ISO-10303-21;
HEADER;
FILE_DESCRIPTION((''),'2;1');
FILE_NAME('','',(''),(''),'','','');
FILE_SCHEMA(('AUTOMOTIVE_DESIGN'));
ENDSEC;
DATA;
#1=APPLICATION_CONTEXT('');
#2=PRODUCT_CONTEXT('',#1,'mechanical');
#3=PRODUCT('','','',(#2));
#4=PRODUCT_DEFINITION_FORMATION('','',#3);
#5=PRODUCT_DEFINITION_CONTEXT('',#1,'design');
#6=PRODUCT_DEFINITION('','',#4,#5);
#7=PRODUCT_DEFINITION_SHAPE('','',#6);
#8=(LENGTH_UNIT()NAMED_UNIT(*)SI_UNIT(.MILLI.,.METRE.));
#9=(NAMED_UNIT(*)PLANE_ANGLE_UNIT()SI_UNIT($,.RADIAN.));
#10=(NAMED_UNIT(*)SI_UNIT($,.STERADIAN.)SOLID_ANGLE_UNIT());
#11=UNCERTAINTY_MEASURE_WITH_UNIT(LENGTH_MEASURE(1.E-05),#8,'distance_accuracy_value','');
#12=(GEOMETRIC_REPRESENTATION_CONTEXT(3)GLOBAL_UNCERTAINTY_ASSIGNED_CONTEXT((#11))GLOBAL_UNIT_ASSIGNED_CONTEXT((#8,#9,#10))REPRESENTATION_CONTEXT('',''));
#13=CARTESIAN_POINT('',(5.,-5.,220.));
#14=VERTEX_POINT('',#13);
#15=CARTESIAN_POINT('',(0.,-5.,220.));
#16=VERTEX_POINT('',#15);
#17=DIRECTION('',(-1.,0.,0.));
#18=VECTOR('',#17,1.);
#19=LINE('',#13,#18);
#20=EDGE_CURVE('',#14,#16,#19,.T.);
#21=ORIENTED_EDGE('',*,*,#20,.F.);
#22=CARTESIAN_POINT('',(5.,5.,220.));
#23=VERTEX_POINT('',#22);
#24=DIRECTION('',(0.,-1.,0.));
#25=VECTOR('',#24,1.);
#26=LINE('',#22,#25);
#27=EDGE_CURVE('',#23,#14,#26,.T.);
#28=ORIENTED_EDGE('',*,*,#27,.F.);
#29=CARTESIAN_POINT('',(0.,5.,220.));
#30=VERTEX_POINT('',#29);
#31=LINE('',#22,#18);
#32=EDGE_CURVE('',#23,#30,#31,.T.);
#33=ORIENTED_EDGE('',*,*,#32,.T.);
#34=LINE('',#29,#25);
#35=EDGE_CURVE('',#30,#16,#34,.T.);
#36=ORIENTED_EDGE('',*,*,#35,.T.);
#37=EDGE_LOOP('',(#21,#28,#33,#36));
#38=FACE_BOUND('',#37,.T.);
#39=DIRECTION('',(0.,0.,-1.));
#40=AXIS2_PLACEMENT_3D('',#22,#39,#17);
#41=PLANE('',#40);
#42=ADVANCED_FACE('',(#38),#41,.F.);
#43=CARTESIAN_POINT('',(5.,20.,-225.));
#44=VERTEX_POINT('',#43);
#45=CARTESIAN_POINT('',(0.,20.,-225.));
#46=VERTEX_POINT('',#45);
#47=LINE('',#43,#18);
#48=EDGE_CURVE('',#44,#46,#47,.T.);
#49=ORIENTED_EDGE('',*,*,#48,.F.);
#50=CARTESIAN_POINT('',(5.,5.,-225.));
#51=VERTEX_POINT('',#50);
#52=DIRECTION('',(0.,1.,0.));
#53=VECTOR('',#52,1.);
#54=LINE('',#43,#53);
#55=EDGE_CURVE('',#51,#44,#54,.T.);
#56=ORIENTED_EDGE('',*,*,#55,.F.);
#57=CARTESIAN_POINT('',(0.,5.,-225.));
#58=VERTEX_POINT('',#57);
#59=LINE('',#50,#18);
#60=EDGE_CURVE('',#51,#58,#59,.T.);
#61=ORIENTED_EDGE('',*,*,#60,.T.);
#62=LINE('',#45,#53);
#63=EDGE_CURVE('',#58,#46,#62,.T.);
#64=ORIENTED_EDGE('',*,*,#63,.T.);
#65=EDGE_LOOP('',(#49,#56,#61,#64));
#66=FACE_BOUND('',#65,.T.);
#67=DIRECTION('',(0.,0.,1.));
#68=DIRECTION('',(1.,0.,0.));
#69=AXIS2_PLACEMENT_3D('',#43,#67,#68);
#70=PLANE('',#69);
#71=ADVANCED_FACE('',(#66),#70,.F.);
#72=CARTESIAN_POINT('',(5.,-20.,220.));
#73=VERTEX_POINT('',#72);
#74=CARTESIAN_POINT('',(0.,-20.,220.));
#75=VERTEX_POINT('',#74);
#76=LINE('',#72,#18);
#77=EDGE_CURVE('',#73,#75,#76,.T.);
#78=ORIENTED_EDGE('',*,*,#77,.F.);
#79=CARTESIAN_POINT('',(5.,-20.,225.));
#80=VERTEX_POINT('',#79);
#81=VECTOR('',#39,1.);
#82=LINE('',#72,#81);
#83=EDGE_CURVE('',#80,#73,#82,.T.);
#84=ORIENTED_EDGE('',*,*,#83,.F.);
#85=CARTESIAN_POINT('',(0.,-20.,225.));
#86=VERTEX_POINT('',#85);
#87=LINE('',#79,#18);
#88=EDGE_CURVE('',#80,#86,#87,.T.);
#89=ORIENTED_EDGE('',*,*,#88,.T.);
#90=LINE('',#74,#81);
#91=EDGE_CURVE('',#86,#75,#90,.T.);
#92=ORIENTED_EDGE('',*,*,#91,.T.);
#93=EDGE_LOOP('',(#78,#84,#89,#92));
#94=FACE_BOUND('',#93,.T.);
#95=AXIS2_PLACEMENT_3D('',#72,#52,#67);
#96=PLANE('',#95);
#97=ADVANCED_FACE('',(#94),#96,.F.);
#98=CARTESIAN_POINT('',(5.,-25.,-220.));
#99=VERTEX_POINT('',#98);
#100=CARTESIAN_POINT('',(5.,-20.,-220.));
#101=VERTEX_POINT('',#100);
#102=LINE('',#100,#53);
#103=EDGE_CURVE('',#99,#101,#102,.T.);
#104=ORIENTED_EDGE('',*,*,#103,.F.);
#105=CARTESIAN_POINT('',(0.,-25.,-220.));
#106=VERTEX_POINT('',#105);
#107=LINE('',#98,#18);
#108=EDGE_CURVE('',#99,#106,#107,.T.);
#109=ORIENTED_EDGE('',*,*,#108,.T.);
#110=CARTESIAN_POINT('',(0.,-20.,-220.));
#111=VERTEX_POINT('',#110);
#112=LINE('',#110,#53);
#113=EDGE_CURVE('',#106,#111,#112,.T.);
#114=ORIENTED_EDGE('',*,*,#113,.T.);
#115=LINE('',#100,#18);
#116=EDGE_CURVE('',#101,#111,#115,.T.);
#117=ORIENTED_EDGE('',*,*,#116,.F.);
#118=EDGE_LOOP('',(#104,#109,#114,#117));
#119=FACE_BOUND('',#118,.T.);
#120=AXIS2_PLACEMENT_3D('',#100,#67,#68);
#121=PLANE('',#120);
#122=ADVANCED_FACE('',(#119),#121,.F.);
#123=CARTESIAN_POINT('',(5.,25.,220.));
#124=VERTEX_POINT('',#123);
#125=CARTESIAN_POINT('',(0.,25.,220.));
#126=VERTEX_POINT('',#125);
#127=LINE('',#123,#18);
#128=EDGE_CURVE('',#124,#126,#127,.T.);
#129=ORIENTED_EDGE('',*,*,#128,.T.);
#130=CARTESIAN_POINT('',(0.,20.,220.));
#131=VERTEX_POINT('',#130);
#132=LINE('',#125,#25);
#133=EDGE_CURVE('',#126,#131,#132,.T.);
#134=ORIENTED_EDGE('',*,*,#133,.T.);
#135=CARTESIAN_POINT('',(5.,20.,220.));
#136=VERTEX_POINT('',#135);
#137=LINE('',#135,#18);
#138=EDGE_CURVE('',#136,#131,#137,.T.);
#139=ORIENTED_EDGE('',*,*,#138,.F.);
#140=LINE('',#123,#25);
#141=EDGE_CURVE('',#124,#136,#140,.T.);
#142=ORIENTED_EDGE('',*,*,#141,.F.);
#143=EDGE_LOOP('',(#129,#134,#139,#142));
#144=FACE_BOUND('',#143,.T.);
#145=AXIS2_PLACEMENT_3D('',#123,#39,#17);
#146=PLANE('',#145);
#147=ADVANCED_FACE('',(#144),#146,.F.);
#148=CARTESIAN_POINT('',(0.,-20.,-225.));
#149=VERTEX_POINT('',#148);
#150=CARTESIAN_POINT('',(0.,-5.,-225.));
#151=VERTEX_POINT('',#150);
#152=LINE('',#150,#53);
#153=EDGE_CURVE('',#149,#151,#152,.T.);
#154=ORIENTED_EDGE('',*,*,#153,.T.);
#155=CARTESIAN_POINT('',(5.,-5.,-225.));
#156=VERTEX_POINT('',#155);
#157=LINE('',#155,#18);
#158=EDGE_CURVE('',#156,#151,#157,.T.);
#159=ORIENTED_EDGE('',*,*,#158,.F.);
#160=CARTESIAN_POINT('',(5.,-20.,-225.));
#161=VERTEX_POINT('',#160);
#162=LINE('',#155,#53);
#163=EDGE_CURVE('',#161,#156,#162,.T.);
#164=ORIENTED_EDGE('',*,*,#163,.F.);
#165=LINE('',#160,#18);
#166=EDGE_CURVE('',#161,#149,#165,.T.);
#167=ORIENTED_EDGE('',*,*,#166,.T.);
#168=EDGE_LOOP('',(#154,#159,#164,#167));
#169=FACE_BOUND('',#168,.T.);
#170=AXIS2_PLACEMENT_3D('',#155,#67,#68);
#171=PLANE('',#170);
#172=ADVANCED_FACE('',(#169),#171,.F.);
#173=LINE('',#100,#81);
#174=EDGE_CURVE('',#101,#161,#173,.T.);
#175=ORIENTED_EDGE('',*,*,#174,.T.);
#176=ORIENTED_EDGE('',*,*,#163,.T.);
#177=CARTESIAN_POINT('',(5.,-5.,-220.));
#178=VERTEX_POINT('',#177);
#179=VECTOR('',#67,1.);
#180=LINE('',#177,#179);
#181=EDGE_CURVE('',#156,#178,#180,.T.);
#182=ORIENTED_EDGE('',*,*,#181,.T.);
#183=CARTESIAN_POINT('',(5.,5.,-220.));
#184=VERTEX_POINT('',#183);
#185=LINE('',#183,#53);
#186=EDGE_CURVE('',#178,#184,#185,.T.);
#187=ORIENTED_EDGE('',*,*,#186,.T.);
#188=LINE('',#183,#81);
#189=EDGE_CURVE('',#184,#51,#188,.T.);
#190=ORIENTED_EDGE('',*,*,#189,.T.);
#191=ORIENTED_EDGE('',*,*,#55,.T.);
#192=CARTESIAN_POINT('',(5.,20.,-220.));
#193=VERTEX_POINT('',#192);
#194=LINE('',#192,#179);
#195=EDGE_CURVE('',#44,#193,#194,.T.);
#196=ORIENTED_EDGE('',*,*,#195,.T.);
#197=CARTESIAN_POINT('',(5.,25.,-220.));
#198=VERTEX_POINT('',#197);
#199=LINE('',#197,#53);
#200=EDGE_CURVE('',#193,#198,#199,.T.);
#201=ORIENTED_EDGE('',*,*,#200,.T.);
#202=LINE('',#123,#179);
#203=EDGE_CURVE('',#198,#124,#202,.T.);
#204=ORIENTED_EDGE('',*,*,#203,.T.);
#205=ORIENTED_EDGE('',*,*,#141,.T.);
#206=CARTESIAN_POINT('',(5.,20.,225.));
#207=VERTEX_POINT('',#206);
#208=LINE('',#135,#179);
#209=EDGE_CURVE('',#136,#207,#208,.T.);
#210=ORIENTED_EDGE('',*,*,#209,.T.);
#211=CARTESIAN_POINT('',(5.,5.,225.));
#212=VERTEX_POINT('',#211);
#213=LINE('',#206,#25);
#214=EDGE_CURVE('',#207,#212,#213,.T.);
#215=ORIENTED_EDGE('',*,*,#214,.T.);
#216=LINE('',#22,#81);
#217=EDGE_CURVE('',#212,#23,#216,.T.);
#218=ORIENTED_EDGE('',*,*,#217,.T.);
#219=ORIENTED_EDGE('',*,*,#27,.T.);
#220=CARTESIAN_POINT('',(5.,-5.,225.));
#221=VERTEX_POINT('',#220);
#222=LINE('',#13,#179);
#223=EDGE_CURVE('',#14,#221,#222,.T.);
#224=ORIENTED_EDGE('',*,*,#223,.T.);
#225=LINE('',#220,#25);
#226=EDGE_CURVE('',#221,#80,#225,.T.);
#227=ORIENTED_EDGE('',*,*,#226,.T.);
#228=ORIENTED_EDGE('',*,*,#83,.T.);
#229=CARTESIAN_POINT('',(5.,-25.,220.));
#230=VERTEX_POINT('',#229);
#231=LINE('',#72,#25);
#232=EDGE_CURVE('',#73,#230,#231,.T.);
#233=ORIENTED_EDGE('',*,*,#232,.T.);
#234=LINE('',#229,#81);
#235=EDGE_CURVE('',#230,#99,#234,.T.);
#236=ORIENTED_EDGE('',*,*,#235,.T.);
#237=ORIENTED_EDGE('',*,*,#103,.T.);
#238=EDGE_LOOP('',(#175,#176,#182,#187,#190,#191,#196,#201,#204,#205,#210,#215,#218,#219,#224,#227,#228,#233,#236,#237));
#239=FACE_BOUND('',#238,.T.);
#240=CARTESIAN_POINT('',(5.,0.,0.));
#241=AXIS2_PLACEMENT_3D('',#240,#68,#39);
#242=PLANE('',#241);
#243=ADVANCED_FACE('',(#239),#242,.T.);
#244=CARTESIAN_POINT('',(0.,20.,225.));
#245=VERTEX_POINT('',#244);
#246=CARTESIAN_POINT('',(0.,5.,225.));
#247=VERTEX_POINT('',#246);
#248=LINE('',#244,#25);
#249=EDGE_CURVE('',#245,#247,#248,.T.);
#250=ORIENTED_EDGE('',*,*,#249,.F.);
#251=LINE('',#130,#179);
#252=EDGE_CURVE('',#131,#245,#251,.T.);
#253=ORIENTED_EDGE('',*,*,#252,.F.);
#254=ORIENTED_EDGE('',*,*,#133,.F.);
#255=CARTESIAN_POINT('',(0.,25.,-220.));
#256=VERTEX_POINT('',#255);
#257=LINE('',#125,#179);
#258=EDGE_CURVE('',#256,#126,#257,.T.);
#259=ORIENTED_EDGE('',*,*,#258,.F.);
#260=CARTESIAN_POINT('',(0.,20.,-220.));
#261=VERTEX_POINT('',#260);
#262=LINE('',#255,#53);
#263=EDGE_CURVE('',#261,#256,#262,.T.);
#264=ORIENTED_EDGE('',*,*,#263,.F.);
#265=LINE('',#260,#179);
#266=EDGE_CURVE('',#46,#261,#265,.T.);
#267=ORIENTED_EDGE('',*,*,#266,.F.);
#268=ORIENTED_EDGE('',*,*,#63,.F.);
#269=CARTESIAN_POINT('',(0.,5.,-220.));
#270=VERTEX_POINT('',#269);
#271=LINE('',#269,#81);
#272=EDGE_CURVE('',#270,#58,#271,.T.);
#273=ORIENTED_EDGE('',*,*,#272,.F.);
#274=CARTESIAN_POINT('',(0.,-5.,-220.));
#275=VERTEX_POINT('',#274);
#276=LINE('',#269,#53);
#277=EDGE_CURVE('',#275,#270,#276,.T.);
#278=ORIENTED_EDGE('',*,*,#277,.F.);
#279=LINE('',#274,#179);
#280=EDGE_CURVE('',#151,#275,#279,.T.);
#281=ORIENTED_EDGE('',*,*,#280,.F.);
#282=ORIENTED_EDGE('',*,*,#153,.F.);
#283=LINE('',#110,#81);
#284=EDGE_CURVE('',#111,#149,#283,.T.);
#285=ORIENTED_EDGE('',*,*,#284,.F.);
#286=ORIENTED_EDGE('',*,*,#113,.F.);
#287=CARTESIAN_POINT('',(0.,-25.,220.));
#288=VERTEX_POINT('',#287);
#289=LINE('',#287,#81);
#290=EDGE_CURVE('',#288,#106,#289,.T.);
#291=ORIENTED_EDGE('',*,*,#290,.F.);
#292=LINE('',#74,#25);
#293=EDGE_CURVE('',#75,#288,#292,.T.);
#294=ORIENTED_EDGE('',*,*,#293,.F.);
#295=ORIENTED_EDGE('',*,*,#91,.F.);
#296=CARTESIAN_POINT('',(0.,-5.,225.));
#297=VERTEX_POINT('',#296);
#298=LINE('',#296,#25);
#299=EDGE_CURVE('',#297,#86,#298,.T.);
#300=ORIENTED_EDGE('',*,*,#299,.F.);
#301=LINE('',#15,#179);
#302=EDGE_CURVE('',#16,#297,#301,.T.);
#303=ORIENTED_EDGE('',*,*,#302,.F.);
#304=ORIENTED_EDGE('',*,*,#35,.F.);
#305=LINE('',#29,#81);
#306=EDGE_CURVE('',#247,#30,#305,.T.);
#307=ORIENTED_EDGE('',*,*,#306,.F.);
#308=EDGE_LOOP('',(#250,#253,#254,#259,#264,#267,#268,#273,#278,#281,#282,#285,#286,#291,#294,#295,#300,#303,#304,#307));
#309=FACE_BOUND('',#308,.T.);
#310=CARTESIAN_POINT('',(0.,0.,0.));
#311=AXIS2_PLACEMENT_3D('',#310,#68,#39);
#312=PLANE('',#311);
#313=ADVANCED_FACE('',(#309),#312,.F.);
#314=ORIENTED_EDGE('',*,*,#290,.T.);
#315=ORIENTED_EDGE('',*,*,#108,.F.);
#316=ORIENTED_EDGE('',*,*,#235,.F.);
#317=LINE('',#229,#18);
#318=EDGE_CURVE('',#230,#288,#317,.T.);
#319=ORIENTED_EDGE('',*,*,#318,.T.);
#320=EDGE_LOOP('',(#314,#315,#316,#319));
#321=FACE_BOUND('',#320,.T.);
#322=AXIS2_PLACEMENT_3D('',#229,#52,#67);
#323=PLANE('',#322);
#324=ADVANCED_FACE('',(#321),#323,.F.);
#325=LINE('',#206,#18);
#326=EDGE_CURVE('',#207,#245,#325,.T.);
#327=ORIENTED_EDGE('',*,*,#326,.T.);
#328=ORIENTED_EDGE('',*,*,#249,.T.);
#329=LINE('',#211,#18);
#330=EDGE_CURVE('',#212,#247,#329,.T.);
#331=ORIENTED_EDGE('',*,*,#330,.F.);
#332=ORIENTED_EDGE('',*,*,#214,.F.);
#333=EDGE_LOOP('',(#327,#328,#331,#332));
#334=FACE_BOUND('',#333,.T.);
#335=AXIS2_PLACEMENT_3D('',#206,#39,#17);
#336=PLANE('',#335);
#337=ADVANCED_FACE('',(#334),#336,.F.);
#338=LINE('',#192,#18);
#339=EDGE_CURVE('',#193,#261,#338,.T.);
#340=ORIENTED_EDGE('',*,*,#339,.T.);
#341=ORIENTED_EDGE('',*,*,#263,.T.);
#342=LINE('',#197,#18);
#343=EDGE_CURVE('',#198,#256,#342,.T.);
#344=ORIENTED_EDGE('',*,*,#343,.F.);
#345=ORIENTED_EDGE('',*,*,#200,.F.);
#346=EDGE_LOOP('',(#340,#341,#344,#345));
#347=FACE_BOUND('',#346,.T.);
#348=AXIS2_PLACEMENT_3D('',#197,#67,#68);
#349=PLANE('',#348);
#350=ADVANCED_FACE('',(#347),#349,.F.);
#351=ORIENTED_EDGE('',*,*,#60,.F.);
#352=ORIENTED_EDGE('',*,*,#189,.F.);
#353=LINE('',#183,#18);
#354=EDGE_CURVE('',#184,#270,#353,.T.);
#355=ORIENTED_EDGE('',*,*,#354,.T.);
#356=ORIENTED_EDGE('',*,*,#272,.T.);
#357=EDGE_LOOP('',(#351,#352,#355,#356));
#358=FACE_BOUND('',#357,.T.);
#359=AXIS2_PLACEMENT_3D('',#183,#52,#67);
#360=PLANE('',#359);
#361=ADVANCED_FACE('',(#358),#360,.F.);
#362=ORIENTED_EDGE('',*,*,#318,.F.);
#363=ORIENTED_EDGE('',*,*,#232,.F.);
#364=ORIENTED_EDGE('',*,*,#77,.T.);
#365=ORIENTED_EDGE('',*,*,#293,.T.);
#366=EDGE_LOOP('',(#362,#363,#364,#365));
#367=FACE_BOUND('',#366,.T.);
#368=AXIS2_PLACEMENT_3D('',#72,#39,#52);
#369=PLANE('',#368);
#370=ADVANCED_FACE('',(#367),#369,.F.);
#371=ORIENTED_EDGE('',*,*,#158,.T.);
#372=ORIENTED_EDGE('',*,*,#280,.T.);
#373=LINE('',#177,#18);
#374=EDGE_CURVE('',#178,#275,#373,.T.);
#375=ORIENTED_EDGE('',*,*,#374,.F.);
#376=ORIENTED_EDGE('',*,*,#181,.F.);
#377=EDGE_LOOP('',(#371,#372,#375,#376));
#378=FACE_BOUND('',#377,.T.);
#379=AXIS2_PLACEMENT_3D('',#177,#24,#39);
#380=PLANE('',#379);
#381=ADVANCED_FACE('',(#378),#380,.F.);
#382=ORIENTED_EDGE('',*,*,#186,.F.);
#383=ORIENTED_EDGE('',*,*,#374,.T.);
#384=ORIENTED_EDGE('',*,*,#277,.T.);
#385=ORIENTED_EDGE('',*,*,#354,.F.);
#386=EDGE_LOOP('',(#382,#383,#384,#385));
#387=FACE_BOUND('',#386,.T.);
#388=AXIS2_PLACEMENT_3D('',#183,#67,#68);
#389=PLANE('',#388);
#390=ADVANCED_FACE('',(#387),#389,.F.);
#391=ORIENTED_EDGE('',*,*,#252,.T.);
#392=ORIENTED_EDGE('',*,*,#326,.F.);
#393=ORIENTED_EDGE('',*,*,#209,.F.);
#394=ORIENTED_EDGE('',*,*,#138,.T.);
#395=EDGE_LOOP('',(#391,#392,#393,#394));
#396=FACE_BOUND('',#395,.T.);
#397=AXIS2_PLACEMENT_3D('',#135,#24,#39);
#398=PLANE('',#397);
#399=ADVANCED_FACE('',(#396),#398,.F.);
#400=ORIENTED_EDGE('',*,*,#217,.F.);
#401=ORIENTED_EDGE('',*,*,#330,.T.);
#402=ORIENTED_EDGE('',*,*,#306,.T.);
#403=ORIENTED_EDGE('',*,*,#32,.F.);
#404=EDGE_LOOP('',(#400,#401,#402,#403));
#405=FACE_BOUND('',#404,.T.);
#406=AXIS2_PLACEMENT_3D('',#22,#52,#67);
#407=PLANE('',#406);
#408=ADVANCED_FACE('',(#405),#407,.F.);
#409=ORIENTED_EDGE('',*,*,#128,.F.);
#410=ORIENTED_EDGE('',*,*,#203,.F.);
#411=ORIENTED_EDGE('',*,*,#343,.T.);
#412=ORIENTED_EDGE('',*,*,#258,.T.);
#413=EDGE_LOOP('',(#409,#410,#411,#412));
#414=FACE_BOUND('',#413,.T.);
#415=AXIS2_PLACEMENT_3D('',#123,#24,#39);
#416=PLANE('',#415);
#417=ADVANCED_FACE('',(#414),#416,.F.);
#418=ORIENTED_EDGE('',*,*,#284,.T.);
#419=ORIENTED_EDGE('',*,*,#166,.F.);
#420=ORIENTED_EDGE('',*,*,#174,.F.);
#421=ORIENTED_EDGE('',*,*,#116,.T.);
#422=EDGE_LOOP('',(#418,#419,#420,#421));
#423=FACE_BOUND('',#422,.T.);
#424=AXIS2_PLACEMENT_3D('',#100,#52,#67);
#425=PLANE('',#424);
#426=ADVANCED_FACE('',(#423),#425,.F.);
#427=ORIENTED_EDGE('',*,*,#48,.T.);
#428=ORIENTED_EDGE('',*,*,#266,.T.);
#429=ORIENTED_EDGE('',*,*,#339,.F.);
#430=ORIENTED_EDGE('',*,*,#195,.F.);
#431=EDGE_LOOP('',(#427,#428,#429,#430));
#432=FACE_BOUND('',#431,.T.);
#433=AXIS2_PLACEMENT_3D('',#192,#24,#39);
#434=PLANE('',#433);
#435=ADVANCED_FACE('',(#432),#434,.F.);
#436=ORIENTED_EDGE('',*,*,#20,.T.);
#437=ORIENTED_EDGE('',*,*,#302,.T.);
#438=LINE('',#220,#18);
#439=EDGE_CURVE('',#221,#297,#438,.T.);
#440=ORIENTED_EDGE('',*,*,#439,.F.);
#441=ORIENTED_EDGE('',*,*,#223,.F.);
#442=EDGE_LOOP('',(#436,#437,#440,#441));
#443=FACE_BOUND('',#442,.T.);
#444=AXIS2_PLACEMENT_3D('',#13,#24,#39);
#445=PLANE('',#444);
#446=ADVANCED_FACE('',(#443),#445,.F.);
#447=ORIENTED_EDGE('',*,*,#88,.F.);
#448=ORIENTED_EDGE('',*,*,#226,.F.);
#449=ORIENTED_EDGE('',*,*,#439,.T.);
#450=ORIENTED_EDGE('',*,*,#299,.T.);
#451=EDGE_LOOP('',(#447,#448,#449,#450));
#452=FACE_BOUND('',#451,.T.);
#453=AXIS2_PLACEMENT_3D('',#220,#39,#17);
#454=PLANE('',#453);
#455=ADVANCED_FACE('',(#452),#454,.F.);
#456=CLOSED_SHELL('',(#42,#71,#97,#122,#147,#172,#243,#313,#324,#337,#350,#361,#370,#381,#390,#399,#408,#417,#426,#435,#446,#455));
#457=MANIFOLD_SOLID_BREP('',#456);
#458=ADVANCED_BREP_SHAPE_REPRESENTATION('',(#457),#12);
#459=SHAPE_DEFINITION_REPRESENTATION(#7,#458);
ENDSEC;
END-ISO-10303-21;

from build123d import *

# Parameters (mm, degrees)
BOSS_EXTRUDE1_DEPTH = 5


with BuildPart() as part:
    # Sketch1 → Boss-Extrude1 (new body)
    with BuildSketch(Plane(origin=(0, 0, 0), x_dir=(0, 0, -1), z_dir=(1, 0, 0))):
        Polygon((225, -5), (225, -20), (220, -20), (220, -25), (-220, -25), (-220, -20), (-225, -20), (-225, -5), (-220, -5), (-220, 5), (-225, 5), (-225, 20), (-220, 20), (-220, 25), (220, 25), (220, 20), (225, 20), (225, 5), (220, 5), (220, -5), align=None)
    extrude(amount=BOSS_EXTRUDE1_DEPTH)


solid = part.part
